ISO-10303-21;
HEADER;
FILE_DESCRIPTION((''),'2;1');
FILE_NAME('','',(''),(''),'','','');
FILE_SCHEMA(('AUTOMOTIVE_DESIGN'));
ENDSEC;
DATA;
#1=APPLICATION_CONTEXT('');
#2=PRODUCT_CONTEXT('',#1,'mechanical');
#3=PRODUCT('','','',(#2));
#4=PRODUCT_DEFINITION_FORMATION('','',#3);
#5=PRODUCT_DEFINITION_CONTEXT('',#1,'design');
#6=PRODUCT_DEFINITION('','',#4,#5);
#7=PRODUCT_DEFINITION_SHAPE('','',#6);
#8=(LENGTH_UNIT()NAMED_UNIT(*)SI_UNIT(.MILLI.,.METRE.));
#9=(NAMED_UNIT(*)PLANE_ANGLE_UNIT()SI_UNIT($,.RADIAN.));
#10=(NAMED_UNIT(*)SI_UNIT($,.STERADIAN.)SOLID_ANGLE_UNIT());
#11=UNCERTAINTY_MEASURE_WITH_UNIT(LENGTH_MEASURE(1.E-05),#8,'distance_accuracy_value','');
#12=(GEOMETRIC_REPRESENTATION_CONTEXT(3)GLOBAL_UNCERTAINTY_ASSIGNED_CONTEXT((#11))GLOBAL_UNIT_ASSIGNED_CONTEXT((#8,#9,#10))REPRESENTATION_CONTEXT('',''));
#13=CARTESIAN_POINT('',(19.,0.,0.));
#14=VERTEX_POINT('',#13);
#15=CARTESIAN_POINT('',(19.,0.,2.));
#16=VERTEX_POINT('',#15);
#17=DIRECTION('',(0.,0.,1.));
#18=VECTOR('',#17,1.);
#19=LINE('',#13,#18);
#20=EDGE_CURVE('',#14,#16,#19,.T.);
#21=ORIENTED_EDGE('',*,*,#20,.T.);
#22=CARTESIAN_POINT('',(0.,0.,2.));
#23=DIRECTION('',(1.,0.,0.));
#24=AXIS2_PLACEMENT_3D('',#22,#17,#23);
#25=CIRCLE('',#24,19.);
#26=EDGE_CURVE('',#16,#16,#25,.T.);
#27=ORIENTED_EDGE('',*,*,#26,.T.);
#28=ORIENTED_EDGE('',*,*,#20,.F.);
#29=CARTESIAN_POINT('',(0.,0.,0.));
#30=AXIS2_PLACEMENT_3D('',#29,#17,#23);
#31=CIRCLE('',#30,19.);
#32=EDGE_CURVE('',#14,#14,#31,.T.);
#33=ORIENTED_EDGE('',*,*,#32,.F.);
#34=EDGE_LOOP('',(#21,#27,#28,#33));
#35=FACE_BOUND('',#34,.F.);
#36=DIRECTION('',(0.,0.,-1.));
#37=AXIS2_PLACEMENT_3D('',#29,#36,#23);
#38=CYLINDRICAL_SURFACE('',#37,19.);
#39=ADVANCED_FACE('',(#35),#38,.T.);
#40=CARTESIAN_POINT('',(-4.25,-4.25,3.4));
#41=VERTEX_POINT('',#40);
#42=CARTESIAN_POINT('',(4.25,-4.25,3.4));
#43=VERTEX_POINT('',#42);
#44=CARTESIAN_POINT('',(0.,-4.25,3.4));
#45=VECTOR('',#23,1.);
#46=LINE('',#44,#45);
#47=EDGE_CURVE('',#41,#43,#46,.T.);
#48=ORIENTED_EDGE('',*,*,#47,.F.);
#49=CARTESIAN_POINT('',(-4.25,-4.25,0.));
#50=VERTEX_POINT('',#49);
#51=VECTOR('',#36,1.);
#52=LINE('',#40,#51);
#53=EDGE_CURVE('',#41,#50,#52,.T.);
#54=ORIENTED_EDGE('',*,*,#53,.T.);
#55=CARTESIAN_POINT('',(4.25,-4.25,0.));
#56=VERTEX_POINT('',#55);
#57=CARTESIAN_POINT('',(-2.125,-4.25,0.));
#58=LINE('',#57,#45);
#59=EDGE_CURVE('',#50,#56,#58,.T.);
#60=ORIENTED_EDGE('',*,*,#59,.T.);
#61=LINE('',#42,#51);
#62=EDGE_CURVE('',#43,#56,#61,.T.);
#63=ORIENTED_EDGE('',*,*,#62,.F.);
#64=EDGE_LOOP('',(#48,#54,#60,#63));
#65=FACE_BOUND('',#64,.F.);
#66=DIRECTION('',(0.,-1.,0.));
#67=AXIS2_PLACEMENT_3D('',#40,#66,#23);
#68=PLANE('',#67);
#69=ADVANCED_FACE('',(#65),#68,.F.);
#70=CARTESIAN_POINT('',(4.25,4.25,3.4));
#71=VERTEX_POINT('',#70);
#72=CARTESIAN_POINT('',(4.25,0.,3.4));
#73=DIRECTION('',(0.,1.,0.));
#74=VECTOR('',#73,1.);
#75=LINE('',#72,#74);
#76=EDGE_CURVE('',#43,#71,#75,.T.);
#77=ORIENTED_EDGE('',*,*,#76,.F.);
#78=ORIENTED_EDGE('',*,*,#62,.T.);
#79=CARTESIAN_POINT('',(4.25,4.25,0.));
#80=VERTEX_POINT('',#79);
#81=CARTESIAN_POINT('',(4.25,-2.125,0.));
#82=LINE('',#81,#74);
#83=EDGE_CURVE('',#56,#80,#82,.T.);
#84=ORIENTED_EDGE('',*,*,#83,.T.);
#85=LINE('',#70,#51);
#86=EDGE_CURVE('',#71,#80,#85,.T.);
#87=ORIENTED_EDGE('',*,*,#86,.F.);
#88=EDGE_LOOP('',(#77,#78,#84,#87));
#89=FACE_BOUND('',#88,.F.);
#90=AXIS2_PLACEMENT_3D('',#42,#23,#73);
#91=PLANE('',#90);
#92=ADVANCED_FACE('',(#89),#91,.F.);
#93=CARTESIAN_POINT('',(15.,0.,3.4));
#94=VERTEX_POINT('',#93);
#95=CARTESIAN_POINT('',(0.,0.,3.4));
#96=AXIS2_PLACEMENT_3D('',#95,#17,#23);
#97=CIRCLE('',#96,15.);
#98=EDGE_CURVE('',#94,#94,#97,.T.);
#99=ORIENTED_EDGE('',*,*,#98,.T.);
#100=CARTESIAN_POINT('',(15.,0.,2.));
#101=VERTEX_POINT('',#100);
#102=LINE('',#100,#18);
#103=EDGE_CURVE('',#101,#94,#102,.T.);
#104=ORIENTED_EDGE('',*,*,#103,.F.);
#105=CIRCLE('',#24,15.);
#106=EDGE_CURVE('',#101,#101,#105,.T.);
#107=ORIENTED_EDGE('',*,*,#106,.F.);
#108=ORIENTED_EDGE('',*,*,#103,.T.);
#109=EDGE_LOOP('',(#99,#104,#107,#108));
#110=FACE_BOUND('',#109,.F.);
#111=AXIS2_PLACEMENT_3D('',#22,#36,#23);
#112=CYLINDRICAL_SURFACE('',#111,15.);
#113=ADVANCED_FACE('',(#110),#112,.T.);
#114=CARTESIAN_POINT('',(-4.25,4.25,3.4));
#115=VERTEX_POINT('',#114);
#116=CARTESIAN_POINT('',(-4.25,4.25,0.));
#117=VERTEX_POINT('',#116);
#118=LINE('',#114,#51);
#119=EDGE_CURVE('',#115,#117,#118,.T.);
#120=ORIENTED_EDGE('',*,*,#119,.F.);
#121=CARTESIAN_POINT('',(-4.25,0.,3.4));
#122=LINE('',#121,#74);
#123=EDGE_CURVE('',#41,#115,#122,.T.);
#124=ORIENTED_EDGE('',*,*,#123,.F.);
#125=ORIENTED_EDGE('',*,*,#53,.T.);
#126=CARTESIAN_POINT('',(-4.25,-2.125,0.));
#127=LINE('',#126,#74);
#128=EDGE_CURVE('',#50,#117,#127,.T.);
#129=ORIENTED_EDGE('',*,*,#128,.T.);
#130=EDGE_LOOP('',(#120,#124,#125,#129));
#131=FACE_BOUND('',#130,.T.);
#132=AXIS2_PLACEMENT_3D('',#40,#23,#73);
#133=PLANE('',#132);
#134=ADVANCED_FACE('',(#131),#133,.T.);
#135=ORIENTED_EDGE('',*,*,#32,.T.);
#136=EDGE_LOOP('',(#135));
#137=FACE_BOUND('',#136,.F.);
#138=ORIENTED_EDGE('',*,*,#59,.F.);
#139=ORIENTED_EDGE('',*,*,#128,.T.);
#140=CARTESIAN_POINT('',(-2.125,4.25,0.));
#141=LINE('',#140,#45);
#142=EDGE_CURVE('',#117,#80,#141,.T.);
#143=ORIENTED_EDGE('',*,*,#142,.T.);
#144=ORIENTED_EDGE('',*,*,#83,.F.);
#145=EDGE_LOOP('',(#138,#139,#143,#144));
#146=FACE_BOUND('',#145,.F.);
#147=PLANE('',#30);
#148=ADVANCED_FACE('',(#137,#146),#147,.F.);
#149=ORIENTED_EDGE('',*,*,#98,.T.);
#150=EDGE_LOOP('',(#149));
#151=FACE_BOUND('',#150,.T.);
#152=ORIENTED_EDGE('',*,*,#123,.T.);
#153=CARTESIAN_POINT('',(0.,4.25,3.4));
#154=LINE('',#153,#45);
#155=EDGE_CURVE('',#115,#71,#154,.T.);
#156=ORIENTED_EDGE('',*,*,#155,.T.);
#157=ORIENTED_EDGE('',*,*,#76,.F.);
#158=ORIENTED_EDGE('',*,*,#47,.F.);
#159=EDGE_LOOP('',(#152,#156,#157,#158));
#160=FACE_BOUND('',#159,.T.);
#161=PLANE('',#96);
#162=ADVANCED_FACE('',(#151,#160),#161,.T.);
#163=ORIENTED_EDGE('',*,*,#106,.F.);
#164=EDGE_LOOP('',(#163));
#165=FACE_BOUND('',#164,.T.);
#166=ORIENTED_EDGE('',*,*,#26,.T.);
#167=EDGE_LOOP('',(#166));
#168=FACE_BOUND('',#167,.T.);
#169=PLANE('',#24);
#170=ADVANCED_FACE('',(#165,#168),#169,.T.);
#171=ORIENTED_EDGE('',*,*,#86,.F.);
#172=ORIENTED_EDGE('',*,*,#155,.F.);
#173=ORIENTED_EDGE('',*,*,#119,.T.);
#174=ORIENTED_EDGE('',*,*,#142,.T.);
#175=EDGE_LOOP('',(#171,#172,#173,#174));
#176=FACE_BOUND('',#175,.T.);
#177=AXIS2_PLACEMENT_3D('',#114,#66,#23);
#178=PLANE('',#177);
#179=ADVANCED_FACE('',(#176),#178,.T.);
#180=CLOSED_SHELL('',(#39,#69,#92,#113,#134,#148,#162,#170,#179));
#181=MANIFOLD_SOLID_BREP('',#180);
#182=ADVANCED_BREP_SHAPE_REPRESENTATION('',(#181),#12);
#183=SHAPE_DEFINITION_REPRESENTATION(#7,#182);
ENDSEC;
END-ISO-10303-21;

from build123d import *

# Parameters (mm, degrees)
SKETCH_R      = 19
SKETCH_R_2    = 4
PAD_DEPTH     = 2
SKETCH001_R   = 15
SKETCH001_R_2 = 4
PAD001_DEPTH  = 1.4
SKETCH002_W   = 8.5
SKETCH002_H   = 8.5
POCKET_DEPTH  = 6


with BuildPart() as part:
    # Sketch → Pad (new body)
    with BuildSketch(Plane.XY):
        Circle(SKETCH_R)
        Circle(SKETCH_R_2, mode=Mode.SUBTRACT)
    extrude(amount=PAD_DEPTH)

    # Sketch001 (on Face4 of Pad) → Pad001 (join)
    with BuildSketch(Plane.XY.offset(2)):
        Circle(SKETCH001_R)
        Circle(SKETCH001_R_2, mode=Mode.SUBTRACT)
    extrude(amount=PAD001_DEPTH)

    # Sketch002 (on Face7 of Pad001) → Pocket (cut)
    with BuildSketch(Plane.XY.offset(3.4)):
        Rectangle(SKETCH002_W, SKETCH002_H)
    extrude(amount=-POCKET_DEPTH, mode=Mode.SUBTRACT)


solid = part.part
